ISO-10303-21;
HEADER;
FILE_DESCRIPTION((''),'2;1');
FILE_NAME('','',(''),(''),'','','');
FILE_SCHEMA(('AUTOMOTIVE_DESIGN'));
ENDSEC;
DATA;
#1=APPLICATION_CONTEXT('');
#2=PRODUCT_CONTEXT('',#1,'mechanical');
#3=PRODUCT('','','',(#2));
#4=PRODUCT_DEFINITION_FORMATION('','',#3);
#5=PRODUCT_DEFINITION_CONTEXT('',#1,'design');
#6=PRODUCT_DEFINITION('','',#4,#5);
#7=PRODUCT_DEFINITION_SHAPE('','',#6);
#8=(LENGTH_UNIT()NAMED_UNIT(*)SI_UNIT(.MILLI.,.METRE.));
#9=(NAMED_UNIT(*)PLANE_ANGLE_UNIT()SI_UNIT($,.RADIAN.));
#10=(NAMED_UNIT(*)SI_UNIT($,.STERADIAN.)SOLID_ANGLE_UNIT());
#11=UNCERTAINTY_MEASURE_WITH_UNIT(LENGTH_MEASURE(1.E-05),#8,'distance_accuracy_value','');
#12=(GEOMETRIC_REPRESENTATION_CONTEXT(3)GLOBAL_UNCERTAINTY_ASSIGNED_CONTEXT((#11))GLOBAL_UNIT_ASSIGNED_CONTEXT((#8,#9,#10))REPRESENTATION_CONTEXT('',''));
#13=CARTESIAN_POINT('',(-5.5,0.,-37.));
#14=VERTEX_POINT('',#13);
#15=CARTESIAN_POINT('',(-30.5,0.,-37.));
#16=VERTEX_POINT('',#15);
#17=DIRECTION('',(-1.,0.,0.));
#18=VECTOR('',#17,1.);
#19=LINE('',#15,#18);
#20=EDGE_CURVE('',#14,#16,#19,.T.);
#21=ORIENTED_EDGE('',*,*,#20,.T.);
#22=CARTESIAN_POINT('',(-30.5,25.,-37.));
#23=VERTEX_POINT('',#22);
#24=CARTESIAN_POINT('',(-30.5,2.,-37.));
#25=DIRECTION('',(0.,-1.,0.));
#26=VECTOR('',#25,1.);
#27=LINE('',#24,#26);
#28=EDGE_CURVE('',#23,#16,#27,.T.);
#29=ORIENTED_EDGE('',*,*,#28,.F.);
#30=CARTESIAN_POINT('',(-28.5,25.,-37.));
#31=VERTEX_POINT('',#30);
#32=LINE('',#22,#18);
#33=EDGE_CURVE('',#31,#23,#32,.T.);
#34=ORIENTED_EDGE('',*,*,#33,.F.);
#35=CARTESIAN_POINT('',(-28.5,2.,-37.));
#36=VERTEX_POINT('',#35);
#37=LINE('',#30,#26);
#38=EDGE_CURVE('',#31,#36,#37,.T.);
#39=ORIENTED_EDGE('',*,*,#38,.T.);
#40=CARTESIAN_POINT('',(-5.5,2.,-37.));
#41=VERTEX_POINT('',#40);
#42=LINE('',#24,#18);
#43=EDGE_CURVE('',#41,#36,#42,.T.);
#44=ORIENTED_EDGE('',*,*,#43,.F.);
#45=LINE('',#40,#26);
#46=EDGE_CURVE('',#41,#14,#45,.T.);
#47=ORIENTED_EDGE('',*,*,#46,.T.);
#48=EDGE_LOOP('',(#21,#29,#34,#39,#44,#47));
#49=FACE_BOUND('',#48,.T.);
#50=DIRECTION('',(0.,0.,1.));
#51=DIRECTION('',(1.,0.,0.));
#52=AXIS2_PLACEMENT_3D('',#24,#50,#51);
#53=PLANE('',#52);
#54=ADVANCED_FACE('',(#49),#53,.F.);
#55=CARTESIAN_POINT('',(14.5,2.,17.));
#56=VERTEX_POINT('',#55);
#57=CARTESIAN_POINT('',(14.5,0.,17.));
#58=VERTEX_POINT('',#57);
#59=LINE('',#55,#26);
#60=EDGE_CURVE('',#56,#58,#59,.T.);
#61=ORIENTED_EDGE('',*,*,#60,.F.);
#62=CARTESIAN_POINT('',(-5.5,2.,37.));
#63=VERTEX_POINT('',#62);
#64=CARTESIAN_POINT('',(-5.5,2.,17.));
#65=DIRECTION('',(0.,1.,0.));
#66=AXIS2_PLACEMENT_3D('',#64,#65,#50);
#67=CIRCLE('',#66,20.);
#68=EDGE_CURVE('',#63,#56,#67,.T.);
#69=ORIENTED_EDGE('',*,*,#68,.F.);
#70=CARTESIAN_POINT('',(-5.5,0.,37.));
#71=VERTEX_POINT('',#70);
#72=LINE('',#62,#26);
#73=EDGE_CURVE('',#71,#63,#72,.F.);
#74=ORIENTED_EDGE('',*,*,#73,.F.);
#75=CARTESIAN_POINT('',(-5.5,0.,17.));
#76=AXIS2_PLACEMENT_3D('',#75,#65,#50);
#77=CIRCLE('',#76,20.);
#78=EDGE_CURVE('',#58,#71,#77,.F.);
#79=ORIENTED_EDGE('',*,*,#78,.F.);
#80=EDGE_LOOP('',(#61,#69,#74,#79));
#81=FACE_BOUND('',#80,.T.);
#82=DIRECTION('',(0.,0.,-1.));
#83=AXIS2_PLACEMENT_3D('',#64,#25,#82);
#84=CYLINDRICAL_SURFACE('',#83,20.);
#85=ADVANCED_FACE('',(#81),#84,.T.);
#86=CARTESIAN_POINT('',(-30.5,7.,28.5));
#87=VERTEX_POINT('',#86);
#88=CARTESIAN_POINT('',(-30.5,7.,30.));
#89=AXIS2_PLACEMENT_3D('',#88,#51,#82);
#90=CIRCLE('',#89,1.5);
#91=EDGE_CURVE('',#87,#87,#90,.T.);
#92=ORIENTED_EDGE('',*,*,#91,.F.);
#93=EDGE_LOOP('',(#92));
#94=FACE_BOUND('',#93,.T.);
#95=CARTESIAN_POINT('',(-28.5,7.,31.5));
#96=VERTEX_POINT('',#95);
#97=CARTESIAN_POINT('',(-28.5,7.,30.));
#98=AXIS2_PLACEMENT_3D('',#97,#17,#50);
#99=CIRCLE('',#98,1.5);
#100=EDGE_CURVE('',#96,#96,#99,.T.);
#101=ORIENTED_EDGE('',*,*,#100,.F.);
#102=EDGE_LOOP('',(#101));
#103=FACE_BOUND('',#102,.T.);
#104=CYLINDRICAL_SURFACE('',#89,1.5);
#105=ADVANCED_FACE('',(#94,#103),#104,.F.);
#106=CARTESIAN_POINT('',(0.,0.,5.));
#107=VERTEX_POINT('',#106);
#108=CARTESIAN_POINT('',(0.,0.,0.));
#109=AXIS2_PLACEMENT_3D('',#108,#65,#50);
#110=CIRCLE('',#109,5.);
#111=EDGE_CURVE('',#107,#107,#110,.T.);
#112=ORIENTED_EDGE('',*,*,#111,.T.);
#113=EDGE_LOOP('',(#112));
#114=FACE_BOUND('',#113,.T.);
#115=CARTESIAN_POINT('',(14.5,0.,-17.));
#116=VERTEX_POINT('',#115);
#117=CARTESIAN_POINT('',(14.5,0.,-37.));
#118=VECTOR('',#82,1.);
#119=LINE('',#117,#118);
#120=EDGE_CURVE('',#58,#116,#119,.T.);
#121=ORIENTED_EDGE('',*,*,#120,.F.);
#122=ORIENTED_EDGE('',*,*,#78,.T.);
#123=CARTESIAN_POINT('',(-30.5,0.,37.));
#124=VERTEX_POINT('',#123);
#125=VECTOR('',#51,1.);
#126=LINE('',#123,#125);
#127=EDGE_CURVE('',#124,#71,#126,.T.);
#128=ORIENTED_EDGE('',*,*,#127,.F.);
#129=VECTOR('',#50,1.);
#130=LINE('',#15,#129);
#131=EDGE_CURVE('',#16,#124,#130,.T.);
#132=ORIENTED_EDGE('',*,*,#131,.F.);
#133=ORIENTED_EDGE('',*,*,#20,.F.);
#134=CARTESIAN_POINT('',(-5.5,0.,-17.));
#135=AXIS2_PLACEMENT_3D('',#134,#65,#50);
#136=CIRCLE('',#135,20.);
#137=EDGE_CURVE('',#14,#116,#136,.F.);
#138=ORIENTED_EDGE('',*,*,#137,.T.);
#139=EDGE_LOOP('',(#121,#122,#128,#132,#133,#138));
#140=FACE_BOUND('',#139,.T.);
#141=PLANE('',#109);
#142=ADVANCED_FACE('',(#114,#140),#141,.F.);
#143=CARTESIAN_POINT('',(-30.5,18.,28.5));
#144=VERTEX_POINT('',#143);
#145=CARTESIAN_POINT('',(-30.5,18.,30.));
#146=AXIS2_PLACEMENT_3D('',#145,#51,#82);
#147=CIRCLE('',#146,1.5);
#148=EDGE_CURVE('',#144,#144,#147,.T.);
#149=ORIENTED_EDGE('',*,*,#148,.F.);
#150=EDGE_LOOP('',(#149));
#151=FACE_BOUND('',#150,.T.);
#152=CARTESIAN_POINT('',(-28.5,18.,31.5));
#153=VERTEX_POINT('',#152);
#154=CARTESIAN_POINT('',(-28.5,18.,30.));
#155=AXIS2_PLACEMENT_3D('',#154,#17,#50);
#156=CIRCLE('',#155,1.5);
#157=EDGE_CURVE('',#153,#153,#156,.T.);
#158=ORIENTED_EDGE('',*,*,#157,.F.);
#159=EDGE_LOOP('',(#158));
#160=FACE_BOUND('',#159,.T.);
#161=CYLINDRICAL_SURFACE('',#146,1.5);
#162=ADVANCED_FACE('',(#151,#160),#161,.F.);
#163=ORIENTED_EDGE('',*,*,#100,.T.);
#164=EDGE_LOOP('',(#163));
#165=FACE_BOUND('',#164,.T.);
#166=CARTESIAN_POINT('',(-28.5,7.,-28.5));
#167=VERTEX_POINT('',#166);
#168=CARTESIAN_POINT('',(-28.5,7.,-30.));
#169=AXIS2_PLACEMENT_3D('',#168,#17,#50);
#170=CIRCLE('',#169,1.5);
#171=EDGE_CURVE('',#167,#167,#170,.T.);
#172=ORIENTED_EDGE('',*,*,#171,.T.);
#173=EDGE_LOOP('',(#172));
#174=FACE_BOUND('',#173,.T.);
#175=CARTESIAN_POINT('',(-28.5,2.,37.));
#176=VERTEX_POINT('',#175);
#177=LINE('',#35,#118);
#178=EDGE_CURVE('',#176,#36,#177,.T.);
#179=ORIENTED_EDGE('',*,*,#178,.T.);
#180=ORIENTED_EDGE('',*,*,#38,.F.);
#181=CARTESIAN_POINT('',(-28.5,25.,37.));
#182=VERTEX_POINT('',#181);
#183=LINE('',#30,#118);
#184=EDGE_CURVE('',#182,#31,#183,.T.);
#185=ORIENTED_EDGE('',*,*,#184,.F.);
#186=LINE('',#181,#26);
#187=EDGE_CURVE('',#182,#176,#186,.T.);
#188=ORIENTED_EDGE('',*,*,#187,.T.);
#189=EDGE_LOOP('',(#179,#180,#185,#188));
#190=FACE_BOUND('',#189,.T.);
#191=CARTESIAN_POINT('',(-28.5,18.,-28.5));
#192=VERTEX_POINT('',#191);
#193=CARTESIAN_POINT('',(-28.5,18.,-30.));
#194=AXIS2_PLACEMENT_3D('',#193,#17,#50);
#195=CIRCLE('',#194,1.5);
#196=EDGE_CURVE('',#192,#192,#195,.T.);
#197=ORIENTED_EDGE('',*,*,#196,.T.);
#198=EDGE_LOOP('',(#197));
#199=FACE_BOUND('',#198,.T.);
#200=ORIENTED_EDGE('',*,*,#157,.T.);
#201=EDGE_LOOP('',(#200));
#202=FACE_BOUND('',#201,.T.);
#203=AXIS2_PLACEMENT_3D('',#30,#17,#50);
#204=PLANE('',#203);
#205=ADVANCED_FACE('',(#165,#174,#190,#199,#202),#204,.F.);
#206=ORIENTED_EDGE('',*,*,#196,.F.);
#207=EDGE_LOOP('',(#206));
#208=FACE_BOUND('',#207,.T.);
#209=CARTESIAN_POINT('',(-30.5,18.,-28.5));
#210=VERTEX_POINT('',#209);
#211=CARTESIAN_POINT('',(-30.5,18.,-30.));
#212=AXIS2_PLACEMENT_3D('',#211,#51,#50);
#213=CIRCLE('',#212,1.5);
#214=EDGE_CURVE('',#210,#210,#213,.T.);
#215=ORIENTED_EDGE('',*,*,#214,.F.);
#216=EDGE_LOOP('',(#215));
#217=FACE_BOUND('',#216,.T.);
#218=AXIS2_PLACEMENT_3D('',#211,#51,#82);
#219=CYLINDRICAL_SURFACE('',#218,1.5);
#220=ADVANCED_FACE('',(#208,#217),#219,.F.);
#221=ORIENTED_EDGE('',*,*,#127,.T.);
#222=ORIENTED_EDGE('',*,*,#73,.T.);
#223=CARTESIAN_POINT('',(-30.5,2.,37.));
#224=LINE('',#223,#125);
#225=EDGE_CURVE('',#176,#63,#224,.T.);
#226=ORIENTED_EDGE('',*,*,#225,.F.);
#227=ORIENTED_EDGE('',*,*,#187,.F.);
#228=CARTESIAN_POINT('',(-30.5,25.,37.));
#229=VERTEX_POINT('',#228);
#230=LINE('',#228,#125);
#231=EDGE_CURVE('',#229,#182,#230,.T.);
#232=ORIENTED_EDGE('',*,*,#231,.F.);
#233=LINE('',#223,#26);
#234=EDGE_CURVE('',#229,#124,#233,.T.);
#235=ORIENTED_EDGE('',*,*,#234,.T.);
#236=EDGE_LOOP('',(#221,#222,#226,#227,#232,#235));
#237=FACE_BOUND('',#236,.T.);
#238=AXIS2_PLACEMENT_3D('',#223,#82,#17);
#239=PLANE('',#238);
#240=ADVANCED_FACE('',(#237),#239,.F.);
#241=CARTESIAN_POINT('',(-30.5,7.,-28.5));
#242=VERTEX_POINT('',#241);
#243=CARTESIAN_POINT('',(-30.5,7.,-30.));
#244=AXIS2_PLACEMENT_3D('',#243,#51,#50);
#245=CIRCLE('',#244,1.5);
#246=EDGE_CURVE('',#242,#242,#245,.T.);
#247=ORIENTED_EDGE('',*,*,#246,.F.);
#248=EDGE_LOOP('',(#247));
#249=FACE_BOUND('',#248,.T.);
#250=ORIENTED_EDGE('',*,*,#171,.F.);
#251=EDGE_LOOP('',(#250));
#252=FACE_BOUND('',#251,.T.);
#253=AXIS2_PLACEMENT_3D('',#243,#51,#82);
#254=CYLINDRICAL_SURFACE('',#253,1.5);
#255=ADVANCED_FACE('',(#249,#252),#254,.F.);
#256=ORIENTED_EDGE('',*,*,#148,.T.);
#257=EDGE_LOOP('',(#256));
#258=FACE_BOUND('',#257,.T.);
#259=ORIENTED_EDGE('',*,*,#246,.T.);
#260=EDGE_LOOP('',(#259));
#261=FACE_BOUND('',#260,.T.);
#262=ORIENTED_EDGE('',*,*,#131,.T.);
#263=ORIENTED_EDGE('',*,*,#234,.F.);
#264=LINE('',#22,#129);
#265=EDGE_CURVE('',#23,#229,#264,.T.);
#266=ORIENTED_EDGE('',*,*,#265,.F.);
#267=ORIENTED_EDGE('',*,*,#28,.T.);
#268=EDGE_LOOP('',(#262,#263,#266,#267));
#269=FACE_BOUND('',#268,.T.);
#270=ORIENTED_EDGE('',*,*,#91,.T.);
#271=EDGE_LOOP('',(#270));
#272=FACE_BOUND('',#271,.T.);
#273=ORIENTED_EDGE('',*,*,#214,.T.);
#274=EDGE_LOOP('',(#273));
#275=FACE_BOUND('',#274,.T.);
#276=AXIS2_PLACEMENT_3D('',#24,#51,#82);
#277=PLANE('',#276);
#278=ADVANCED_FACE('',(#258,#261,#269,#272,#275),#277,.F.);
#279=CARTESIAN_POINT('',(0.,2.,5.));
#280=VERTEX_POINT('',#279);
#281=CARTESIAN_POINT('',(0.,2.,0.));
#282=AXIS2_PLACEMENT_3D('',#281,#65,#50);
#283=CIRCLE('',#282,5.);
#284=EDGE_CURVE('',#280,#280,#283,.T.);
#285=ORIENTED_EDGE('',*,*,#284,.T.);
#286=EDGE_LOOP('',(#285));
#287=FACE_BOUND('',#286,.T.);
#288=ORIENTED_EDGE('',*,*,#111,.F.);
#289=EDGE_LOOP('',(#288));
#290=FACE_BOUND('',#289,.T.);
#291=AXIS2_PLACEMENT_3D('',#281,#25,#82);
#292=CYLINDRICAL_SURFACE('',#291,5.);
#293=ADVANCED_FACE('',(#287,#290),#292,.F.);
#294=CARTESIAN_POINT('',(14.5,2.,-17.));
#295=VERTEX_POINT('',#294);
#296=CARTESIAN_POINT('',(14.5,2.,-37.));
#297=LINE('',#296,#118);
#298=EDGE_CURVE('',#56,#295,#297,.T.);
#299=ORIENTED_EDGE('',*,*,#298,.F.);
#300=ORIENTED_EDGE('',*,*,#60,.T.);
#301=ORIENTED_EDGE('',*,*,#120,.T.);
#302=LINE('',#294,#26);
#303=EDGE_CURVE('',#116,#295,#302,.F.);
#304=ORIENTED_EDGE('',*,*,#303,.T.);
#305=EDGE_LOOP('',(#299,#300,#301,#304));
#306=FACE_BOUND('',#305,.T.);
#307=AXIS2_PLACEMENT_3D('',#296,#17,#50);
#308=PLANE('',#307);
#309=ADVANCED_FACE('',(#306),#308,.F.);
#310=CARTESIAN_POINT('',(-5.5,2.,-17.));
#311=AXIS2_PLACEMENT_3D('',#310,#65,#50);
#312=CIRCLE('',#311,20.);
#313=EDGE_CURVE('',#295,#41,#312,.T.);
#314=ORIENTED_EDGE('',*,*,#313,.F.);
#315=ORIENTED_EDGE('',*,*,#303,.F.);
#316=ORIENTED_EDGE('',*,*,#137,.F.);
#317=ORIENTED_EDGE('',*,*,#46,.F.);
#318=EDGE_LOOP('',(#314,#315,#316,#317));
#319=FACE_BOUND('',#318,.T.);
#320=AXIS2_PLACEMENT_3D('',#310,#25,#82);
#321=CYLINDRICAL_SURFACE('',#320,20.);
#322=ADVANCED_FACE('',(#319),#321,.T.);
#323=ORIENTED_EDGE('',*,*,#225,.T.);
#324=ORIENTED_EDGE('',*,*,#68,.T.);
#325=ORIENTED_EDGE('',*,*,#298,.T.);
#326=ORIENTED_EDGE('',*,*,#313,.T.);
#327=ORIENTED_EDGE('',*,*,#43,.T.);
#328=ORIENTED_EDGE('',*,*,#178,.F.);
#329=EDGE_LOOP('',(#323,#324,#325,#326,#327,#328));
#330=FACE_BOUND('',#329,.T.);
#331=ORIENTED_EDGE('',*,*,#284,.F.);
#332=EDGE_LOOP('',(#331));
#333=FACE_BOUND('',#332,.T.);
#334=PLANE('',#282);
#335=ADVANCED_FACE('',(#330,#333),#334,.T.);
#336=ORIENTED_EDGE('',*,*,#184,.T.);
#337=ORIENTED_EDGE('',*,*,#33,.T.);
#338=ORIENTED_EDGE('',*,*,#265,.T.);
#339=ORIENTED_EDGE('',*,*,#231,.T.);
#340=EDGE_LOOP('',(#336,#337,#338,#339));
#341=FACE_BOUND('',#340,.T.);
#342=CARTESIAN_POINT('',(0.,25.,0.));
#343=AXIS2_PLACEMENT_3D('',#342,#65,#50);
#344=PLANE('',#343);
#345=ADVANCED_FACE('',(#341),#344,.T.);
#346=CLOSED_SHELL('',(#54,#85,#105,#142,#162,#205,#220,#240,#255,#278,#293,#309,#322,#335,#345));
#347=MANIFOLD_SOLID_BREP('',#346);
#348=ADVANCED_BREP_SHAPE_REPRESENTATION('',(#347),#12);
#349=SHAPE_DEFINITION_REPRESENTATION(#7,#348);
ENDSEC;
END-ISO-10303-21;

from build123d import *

# Parameters (mm, degrees)
SKETCH1_W               = 45
SKETCH1_H               = 74
SKETCH1_R               = 5
BOSS_EXTRUDE1_DEPTH     = 2
SKETCH2_W               = 2
SKETCH2_H               = 74
BOSS_EXTRUDE2_DEPTH     = 23
SKETCH3_R               = 1.5
CUT_EXTRUDE1_DEPTH      = 44
CUT_EXTRUDE1_DEPTH_BACK = 3
FILLET1_R               = 20


with BuildPart() as part:
    # Sketch1 → Boss-Extrude1 (new body)
    with BuildSketch(Plane(origin=(0, 0, 0), x_dir=(1, 0, 0), z_dir=(0, 1, 0))):
        with Locations((-8, 0)):
            Rectangle(SKETCH1_W, SKETCH1_H)
        Circle(SKETCH1_R, mode=Mode.SUBTRACT)
    extrude(amount=BOSS_EXTRUDE1_DEPTH)

    # Sketch2 → Boss-Extrude2 (add)
    with BuildSketch(Plane(origin=(0, 2, 0), x_dir=(1, 0, 0), z_dir=(0, 1, 0))):
        with Locations((-29.5, 0)):
            Rectangle(SKETCH2_W, SKETCH2_H)
    extrude(amount=BOSS_EXTRUDE2_DEPTH)

    # Sketch3 → Cut-Extrude1 (cut, two sides)
    with BuildSketch(Plane(origin=(-28.5, 0, 0), x_dir=(0, 0, -1), z_dir=(1, 0, 0))) as cut_extrude1_sk:
        with Locations((-30, 18)):
            Circle(SKETCH3_R)
        with Locations((-30, 7)):
            Circle(SKETCH3_R)
        with Locations((30, 7)):
            Circle(SKETCH3_R)
        with Locations((30, 18)):
            Circle(SKETCH3_R)
    extrude(amount=CUT_EXTRUDE1_DEPTH, mode=Mode.SUBTRACT)
    extrude(cut_extrude1_sk.sketch, amount=-CUT_EXTRUDE1_DEPTH_BACK, mode=Mode.SUBTRACT)

    # Fillet1
    fillet1_edges = [part.edges().sort_by_distance(p)[0] for p in [
        (14.5, 1, -37),
        (14.5, 1, 37),
    ]]
    fillet(fillet1_edges, radius=FILLET1_R)


solid = part.part
